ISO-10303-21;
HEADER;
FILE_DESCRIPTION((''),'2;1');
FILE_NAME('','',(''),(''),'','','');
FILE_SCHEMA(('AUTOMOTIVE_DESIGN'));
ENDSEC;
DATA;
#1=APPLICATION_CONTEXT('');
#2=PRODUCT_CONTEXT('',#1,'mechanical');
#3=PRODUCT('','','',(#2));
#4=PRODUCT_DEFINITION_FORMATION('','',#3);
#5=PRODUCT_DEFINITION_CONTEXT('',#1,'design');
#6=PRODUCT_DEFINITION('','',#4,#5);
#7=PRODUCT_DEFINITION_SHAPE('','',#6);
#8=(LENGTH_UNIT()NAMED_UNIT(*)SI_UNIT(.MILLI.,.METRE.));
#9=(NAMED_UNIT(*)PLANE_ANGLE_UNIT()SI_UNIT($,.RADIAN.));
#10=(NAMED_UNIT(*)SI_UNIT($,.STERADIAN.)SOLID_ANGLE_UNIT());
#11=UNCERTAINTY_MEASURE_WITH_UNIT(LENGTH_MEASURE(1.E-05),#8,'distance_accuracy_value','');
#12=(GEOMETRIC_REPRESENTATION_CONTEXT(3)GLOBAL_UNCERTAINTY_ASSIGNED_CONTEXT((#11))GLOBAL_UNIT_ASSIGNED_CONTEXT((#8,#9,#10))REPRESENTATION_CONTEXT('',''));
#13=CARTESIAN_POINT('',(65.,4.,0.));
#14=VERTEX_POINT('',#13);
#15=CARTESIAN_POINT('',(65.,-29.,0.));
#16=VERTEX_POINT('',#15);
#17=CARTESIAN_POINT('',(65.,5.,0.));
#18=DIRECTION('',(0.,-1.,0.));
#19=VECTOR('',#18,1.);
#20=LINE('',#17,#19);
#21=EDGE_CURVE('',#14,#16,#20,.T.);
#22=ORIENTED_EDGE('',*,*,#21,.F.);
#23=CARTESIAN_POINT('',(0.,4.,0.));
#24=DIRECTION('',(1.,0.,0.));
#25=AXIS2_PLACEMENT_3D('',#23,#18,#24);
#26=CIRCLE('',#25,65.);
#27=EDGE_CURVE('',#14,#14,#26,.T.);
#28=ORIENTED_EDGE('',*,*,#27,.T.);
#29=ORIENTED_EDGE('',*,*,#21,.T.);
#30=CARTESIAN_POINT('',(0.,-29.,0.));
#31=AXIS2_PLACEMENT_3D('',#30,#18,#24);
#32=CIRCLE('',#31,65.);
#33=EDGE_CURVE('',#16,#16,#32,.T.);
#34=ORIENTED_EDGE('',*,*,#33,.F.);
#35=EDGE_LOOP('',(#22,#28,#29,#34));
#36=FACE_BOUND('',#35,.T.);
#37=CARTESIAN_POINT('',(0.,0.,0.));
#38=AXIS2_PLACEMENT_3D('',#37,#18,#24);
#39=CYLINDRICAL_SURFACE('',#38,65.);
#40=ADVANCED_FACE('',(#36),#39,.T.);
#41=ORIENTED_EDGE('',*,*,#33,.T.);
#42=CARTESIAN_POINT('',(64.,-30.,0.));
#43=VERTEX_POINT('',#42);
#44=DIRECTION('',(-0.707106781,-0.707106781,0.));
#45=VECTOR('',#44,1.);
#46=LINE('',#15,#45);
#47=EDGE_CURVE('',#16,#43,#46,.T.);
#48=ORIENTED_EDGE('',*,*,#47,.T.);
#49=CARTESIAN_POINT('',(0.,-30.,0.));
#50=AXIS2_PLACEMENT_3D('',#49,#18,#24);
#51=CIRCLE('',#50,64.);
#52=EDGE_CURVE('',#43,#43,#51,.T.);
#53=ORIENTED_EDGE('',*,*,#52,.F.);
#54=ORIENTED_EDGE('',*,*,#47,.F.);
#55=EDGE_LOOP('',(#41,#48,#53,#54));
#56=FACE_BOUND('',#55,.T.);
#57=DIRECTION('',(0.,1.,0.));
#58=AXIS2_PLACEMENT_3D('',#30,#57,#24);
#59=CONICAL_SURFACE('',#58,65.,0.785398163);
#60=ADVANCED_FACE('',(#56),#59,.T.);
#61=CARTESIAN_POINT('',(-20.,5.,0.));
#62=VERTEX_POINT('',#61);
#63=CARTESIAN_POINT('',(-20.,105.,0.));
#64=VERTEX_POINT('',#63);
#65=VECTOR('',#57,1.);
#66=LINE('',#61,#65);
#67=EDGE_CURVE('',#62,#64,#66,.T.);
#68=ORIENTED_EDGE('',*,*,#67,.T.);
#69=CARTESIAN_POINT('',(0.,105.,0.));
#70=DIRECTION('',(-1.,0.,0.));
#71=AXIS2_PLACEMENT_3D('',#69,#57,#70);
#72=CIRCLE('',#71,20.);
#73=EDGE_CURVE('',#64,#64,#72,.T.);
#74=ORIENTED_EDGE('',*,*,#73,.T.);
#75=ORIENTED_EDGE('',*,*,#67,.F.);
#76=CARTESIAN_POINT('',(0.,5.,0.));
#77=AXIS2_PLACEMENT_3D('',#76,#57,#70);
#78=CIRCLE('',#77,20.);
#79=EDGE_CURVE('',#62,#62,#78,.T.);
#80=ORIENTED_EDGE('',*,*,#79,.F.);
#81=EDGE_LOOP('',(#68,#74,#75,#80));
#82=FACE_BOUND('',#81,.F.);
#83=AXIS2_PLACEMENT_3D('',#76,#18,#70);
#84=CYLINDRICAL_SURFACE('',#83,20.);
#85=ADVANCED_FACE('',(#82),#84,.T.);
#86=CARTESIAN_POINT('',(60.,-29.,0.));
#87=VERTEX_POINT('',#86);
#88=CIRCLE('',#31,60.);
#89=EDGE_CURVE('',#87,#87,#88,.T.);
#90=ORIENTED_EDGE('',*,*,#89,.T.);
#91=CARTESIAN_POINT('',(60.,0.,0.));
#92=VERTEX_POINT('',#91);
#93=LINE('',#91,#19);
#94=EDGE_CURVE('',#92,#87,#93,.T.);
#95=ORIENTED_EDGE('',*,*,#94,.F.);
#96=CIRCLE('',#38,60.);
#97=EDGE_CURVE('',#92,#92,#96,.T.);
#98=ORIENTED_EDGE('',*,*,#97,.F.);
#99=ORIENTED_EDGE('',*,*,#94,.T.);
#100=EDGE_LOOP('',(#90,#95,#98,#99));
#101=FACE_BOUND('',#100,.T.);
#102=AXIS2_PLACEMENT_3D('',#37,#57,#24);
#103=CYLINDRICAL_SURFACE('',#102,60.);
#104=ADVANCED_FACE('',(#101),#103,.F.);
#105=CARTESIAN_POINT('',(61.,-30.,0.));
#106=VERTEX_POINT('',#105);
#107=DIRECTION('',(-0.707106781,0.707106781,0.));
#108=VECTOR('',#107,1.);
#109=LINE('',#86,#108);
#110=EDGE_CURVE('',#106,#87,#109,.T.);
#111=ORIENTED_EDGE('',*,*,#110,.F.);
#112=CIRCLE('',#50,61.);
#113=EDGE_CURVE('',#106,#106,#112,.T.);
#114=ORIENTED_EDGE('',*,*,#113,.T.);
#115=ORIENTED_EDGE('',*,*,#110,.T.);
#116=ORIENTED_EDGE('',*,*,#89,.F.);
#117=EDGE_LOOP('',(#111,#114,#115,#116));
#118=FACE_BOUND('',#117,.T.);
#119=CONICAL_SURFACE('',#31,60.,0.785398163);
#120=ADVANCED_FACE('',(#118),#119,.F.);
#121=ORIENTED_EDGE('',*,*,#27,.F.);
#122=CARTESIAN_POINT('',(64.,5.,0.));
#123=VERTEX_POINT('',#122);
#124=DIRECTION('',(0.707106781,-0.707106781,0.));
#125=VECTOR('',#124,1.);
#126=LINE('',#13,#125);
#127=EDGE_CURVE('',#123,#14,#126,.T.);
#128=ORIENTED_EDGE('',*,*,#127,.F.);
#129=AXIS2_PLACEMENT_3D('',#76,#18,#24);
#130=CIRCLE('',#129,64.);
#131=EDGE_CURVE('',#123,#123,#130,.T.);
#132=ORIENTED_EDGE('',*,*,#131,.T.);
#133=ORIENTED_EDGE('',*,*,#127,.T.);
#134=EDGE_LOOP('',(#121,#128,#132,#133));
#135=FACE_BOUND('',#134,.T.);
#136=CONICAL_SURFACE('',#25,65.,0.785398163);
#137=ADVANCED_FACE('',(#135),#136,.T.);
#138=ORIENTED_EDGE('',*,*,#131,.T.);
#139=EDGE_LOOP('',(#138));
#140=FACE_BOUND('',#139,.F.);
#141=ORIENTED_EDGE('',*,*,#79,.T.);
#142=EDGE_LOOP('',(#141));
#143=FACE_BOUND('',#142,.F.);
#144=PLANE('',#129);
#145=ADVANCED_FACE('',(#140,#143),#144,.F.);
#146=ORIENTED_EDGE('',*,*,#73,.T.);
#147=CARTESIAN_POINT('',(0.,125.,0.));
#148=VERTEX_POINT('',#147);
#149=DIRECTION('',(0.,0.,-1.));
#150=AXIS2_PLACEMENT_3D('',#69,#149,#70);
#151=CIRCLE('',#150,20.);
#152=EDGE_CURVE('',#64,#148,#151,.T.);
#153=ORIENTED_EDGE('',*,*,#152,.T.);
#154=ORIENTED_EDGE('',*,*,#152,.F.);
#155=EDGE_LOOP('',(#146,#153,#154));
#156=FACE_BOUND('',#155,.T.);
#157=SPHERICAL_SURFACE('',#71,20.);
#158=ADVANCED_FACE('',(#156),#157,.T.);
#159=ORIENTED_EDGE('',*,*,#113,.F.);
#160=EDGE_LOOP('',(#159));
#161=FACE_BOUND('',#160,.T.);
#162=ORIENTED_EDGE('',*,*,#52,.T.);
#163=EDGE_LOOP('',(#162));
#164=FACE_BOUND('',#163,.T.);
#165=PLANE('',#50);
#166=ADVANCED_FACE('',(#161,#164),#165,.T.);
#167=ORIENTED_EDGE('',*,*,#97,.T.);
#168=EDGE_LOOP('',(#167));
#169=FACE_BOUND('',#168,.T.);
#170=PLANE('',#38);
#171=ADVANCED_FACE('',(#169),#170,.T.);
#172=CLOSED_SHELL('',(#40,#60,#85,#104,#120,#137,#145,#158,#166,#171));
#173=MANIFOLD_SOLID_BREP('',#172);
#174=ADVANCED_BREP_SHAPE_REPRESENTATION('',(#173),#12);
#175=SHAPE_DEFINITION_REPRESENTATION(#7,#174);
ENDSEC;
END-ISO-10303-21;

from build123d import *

# Parameters (mm, degrees)
F0_R     = 65
F1_DEPTH = 5
F2_R     = 65
F2_R_2   = 60
F3_DEPTH = 30
F4_R     = 20
F5_DEPTH = 120
F6_R     = 20
F7_SIZE  = 1


with BuildPart() as f1:
    # F0 (on Front) → F1 (new body)
    with BuildSketch(Plane.XZ):
        Circle(F0_R)
    extrude(amount=-F1_DEPTH)

    # F2 (on face) → F3 (join)
    with BuildSketch(Plane.XZ):
        Circle(F2_R)
        Circle(F2_R_2, mode=Mode.SUBTRACT)
    extrude(amount=F3_DEPTH)

    # F4 (on face) → F5 (join)
    with BuildSketch(Plane(origin=(0, 5, 0), x_dir=(-1, 0, 0), z_dir=(0, 1, 0))):
        Circle(F4_R)
    extrude(amount=F5_DEPTH)

    # F6
    f6_edges = [f1.edges().sort_by_distance(p)[0] for p in [
        (20, 125, 0),
    ]]
    fillet(f6_edges, radius=F6_R)

    # F7
    f7_edges = [f1.edges().sort_by_distance(p)[0] for p in [
        (-65, 5, 0),
        (-65, -30, 0),
        (-60, -30, 0),
    ]]
    chamfer(f7_edges, length=F7_SIZE)


solid = f1.part
